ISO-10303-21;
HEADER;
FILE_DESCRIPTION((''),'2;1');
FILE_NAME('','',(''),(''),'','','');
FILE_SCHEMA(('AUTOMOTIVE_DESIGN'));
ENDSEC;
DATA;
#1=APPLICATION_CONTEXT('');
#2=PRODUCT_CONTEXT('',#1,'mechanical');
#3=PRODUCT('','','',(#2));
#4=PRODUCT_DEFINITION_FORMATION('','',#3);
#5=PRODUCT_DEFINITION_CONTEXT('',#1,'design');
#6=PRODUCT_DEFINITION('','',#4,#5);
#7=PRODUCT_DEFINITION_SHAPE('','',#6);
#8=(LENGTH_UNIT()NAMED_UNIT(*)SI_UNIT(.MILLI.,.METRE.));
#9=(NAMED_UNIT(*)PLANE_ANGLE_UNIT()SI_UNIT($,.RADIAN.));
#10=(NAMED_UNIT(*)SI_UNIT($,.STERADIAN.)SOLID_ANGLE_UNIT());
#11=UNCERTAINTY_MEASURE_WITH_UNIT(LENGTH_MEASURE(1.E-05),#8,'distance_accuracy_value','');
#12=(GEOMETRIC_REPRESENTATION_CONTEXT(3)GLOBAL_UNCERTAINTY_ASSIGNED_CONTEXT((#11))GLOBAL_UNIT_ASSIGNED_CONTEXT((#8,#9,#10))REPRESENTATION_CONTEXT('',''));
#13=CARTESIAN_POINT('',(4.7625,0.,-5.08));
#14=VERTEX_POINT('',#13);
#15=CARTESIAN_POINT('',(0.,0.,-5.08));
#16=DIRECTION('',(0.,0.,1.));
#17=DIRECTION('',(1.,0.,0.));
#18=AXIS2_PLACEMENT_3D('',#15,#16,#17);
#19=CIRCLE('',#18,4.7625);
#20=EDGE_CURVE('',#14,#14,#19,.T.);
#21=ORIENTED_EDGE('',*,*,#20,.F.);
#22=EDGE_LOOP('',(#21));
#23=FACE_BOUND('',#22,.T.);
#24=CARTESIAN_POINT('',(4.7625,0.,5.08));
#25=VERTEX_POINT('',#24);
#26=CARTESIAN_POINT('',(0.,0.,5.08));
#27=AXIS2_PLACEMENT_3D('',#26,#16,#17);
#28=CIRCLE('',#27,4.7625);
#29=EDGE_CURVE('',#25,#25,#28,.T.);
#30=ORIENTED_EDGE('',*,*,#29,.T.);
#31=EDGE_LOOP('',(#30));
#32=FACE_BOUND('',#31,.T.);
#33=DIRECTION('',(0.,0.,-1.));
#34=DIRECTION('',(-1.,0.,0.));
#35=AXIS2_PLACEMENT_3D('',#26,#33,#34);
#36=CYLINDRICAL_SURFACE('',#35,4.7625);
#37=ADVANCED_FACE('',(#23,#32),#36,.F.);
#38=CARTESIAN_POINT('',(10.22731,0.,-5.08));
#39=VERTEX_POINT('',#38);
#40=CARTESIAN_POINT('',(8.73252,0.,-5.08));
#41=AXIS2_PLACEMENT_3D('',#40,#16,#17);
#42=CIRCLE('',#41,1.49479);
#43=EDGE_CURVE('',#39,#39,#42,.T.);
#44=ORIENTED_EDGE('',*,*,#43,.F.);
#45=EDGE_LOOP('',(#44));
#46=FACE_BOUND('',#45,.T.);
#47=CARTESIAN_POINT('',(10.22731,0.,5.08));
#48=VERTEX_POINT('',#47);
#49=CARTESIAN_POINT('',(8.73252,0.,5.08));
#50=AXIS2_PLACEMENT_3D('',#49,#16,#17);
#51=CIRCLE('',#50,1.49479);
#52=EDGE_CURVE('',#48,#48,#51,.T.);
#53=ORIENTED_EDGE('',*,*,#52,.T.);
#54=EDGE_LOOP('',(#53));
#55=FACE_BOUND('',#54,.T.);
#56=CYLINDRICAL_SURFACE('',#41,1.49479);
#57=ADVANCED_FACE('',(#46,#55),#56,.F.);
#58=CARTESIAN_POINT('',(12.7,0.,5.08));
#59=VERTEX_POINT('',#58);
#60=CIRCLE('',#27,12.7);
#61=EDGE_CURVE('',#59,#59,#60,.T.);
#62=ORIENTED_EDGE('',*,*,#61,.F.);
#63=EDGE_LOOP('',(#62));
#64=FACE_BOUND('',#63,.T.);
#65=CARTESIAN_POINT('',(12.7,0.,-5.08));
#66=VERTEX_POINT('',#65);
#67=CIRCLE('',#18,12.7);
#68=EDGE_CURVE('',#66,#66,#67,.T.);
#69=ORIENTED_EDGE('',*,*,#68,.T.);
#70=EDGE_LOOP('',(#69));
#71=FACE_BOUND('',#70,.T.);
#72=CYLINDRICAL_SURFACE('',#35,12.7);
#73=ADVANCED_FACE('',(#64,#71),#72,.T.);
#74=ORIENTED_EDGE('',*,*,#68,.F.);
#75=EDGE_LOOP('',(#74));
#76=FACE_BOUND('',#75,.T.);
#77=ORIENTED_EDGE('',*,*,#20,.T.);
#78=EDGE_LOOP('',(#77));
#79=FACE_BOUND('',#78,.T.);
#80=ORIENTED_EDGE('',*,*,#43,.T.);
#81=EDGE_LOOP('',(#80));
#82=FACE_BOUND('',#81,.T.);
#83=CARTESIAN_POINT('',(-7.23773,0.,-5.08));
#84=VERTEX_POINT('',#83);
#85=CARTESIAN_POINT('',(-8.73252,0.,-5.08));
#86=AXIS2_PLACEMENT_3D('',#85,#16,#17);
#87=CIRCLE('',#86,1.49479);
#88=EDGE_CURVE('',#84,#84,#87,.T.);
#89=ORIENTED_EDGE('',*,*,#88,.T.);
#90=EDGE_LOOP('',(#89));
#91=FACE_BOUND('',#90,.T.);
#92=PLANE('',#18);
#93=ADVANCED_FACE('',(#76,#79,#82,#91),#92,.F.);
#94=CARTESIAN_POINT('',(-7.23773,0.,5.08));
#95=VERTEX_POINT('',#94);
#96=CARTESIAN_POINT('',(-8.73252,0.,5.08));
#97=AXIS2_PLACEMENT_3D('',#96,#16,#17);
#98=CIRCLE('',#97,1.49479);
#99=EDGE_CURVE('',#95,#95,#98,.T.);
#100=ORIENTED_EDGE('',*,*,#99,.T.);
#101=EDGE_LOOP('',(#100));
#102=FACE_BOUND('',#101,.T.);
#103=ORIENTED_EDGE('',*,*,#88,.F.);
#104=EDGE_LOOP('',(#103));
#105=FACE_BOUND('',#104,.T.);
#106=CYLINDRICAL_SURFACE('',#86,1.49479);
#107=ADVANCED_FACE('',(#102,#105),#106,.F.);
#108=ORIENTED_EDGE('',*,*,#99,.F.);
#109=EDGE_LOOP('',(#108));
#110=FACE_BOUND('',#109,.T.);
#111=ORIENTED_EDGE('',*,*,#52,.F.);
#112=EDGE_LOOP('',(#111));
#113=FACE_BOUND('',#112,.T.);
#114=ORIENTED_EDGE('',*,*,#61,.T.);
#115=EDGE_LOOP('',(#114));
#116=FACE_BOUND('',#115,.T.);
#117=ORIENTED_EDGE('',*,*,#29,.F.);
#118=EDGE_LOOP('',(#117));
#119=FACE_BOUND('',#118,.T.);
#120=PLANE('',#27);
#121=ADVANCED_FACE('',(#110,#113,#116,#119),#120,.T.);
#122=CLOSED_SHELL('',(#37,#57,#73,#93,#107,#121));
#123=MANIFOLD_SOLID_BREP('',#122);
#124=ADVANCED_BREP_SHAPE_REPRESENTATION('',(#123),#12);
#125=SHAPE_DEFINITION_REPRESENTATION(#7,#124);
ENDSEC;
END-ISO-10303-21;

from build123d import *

# Parameters (mm, degrees)
SKETCH1_R           = 12.7
SKETCH1_R_2         = 4.7625
BOSS_EXTRUDE1_DEPTH = 5.08
SKETCH2_R           = 1.49479
CUT_EXTRUDE1_DEPTH  = 10.16


with BuildPart() as part:
    # Sketch1 → Boss-Extrude1 (new, symmetric)
    with BuildSketch(Plane.XY):
        Circle(SKETCH1_R)
        Circle(SKETCH1_R_2, mode=Mode.SUBTRACT)
    extrude(amount=BOSS_EXTRUDE1_DEPTH, both=True)

    # Sketch2 → Cut-Extrude1 (cut)
    with BuildSketch(Plane.XY.offset(5.08)):
        with Locations((8.73252, 0)):
            Circle(SKETCH2_R)
        with Locations((-8.73252, 0)):
            Circle(SKETCH2_R)
    extrude(amount=-CUT_EXTRUDE1_DEPTH, mode=Mode.SUBTRACT)


solid = part.part
